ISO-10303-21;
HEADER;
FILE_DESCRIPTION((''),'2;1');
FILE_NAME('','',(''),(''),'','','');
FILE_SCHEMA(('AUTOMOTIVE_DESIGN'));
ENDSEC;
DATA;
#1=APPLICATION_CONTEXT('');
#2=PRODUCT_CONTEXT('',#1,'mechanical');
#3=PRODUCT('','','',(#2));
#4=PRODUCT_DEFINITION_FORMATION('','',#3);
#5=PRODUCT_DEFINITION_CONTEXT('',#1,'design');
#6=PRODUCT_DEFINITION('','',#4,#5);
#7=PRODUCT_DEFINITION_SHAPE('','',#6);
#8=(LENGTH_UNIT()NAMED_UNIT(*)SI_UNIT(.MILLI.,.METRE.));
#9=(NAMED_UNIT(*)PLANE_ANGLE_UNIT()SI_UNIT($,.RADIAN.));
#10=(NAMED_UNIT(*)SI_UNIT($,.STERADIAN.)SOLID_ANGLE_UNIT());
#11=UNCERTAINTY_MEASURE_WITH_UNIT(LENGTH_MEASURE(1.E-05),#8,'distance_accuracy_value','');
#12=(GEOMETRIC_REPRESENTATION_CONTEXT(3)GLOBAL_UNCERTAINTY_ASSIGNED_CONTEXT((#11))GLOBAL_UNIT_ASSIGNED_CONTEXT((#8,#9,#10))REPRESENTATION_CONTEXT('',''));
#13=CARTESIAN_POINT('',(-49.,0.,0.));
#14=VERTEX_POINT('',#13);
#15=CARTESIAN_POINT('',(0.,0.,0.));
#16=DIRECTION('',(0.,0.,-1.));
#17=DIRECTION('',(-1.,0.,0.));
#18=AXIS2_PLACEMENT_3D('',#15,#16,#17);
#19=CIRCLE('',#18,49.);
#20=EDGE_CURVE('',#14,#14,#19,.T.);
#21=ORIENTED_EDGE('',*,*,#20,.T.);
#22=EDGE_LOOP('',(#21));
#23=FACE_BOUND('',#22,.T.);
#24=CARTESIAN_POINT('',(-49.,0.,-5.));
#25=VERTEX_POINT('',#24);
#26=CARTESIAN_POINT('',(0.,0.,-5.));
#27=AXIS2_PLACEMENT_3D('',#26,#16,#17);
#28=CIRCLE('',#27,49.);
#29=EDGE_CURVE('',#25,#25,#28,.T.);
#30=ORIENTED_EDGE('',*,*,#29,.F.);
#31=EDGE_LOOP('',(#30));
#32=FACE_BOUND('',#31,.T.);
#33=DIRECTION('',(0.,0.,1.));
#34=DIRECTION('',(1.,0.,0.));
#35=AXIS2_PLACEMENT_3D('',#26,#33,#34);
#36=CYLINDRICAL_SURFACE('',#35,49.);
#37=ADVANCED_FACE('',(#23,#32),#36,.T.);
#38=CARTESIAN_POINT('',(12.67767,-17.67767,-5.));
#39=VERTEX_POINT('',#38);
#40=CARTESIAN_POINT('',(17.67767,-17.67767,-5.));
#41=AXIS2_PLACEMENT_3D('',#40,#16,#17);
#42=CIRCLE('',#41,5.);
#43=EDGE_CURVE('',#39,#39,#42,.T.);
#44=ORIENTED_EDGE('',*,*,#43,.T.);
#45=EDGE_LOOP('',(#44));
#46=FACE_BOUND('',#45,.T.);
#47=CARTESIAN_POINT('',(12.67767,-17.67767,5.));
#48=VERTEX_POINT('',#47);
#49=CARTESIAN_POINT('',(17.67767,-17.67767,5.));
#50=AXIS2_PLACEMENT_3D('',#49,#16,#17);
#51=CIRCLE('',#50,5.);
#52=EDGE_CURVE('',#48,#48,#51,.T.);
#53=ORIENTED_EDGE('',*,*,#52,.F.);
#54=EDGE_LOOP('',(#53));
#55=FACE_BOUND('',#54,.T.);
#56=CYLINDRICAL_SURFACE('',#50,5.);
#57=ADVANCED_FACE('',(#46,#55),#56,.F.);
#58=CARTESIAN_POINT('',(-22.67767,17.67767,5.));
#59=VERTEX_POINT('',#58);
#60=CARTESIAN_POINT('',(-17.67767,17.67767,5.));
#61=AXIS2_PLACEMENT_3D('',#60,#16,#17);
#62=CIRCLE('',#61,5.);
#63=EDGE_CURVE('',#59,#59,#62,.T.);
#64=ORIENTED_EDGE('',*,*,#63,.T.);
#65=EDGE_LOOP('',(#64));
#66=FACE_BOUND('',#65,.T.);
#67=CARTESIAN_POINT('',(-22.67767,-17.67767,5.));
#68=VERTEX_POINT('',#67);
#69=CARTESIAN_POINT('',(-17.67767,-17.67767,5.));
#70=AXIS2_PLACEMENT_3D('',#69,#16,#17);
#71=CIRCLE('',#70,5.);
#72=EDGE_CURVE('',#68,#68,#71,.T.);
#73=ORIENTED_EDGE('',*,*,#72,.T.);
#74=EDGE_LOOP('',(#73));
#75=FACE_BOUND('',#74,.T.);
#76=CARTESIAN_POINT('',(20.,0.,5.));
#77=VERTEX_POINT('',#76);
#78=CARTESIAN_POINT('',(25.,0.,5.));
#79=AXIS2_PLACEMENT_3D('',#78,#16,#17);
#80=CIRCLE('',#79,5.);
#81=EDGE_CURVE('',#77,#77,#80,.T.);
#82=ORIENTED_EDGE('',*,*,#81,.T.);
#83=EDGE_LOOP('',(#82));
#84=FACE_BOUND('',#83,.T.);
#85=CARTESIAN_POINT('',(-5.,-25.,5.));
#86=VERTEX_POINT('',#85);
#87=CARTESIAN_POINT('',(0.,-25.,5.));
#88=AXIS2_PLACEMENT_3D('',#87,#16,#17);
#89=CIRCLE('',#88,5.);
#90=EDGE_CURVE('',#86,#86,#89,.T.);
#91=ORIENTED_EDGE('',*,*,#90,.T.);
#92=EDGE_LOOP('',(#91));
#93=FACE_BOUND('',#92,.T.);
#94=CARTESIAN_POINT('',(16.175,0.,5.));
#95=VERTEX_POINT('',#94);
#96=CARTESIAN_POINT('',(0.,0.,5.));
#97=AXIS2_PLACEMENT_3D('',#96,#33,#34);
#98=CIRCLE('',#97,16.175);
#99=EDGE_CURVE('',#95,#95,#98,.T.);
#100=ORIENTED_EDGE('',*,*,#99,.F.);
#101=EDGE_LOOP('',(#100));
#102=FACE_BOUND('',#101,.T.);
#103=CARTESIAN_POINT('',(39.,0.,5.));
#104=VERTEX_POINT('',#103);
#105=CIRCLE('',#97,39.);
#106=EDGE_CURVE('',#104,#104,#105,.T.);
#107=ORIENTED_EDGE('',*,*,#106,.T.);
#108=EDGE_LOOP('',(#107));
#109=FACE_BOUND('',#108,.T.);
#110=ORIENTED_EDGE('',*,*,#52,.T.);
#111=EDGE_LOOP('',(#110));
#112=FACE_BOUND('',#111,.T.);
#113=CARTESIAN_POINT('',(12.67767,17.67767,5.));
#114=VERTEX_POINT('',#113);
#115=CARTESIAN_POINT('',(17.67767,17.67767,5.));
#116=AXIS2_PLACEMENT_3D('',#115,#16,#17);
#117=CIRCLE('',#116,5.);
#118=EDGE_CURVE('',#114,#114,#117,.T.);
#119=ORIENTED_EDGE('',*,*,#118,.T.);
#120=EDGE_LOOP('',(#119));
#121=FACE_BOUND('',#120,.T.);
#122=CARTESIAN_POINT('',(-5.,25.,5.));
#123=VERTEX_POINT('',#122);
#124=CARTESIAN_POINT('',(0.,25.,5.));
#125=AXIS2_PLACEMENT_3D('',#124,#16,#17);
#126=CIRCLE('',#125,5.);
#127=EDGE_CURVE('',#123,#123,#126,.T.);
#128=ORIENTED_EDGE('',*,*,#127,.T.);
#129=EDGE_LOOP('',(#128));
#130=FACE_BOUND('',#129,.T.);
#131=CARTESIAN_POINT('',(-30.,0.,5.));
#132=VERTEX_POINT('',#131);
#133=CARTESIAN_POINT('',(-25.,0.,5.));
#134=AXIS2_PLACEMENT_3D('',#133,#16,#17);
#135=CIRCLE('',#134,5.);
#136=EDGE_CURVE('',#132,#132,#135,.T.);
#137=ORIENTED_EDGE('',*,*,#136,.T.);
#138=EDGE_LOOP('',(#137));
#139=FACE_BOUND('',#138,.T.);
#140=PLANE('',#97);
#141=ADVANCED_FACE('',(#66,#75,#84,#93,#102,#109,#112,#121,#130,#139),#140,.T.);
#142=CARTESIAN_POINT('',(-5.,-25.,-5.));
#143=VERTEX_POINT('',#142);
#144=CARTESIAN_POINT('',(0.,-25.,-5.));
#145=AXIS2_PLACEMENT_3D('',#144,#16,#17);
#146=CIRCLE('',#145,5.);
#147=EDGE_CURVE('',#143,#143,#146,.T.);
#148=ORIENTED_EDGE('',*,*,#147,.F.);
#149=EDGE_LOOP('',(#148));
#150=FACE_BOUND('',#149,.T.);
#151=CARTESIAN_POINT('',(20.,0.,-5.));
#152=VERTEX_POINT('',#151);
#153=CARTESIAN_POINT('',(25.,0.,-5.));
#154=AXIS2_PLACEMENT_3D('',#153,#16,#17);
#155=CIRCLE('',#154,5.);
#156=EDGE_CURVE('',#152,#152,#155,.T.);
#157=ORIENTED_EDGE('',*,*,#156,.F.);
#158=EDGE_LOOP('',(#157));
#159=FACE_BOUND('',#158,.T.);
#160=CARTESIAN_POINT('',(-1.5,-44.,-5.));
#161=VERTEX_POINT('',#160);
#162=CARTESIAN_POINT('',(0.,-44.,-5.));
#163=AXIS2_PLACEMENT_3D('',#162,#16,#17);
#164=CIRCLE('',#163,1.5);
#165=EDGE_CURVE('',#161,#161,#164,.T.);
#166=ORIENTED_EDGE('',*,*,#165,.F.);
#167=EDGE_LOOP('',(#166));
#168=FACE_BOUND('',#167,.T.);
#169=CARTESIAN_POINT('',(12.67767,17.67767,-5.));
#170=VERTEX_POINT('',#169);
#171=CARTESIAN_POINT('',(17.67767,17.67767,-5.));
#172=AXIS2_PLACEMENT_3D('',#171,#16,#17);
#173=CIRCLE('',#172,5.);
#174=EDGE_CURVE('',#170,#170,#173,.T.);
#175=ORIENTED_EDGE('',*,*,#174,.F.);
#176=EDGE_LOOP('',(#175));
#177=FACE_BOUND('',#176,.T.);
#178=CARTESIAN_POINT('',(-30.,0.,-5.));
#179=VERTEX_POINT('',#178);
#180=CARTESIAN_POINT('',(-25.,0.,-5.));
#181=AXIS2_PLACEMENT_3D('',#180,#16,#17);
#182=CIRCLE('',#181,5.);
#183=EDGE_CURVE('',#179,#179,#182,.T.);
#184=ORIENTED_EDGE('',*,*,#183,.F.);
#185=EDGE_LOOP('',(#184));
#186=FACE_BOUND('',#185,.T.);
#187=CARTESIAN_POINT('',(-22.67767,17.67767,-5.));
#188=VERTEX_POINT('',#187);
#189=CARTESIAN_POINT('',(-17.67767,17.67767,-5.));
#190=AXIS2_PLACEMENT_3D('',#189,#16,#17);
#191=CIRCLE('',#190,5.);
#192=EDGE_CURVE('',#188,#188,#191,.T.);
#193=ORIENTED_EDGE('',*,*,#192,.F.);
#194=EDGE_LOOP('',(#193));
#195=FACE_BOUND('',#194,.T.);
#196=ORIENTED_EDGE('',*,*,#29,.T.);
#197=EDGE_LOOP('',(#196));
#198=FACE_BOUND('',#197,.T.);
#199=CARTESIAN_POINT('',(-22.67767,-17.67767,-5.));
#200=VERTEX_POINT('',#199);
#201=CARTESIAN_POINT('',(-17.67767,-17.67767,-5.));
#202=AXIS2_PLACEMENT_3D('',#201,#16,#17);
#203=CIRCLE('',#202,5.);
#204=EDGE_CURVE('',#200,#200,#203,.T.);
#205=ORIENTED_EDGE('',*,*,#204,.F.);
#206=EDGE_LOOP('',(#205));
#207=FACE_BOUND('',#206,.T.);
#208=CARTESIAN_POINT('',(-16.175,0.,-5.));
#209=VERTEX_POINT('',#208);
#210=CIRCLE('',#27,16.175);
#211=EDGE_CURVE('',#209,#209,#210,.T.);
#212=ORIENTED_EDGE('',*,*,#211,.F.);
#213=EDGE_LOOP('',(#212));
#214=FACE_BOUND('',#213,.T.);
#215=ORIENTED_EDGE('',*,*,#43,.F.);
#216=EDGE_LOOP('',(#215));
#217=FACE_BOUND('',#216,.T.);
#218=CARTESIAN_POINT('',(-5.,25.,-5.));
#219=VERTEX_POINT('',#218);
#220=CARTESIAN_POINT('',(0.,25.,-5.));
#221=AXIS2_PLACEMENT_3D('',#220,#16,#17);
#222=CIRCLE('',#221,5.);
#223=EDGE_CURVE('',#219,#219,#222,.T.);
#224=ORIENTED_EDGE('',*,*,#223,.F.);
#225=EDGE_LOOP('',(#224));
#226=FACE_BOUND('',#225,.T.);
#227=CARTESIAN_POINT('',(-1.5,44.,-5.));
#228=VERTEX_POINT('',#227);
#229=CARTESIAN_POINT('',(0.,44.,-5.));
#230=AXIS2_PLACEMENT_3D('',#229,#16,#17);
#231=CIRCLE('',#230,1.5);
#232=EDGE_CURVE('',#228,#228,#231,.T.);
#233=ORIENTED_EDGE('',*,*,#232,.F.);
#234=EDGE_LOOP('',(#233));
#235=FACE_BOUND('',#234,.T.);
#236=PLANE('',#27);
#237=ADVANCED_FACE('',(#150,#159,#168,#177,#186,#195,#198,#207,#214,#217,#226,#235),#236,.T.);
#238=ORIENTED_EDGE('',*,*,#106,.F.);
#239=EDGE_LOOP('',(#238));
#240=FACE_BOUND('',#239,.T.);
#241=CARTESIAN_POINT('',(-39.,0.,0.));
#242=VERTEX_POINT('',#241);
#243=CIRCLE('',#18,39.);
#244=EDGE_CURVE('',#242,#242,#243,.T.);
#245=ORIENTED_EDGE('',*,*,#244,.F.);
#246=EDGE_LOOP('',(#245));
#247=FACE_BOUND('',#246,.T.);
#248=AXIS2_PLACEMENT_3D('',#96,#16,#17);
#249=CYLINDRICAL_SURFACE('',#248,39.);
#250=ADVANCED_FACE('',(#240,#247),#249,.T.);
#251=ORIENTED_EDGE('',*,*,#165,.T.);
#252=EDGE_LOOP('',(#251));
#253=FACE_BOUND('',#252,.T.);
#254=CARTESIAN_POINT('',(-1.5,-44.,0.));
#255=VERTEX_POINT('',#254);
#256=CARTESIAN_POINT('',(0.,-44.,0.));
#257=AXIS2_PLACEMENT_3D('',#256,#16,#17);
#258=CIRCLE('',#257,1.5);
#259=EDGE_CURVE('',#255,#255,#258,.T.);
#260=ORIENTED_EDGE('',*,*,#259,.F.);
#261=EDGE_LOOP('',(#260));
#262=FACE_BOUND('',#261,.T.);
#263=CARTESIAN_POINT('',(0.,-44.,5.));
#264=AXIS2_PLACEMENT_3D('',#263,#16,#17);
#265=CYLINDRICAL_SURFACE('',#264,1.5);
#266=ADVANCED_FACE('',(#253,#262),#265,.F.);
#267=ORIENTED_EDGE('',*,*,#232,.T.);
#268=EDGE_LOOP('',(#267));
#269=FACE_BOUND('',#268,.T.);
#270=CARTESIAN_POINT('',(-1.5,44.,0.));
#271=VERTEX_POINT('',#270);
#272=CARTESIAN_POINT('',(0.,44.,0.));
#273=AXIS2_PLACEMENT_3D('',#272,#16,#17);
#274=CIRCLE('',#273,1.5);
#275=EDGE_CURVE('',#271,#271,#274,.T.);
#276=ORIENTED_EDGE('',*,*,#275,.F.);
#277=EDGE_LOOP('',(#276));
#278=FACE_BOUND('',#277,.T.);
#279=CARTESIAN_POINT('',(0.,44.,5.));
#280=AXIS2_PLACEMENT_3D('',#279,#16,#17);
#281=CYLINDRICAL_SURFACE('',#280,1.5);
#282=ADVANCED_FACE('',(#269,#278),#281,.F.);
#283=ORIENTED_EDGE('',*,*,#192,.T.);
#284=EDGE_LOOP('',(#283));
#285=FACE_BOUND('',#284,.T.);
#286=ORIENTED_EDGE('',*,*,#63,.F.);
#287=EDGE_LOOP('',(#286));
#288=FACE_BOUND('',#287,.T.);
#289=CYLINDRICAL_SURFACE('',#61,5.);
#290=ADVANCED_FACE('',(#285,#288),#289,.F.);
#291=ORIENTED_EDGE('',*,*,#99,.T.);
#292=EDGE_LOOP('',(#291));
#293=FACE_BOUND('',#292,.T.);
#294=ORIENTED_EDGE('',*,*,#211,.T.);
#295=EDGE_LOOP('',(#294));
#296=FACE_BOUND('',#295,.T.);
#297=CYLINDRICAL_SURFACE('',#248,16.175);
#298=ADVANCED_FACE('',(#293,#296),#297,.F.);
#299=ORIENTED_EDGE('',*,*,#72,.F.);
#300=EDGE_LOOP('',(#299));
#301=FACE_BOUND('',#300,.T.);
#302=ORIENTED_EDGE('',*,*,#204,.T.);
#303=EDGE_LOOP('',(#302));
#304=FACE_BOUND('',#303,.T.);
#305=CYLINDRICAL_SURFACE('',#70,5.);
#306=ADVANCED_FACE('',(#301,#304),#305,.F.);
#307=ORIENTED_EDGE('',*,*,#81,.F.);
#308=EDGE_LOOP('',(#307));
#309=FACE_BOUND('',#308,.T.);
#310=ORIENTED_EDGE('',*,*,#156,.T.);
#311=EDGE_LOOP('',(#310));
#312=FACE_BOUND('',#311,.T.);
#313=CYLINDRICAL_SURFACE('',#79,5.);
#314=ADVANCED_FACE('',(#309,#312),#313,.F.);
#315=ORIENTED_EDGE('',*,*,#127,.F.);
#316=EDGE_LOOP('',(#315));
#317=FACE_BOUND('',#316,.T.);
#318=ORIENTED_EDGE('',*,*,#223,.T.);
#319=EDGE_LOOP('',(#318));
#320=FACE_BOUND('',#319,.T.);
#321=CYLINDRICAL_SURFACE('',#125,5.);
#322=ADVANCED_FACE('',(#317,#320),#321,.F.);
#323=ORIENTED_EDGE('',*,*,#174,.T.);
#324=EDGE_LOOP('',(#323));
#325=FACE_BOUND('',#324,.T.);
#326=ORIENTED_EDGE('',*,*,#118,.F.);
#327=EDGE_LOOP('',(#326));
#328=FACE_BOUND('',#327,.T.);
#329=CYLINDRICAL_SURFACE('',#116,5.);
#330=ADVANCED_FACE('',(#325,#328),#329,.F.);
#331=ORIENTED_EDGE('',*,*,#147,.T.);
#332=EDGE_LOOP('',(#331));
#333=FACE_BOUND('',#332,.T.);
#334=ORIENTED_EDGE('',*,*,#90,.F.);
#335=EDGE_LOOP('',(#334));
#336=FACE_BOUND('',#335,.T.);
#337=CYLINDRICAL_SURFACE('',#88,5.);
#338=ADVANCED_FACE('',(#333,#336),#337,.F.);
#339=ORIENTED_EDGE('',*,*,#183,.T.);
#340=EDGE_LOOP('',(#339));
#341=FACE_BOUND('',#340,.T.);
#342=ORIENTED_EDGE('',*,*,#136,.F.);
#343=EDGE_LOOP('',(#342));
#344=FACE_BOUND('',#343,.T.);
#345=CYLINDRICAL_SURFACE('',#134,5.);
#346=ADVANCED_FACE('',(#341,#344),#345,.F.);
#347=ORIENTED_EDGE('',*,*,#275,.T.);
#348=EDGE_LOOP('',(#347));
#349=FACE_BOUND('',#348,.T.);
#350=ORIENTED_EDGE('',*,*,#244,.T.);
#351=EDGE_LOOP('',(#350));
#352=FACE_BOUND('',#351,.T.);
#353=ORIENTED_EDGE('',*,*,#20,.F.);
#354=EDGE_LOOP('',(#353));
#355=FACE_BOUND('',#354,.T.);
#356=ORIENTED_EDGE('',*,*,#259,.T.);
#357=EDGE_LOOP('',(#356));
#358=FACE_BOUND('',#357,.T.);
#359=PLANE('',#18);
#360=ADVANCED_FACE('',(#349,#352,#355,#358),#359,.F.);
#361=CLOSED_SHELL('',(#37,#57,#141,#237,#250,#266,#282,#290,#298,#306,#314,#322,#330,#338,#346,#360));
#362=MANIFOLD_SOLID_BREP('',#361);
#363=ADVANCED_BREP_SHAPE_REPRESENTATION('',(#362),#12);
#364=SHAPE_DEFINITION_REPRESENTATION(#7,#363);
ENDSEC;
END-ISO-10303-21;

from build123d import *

# Parameters (mm, degrees)
ESQUISSE1_R             = 39
ESQUISSE1_R_2           = 16.175
BOSS_EXTRU_1_DEPTH      = 5
ESQUISSE2_R             = 49
BOSS_EXTRU_2_DEPTH      = 5
ESQUISSE3_R             = 16.175
ENL_V_MAT_EXTRU_1_DEPTH = 11
ESQUISSE4_R             = 1.5
ESQUISSE4_R_2           = 5
ENL_V_MAT_EXTRU_2_DEPTH = 11


with BuildPart() as part:
    # Esquisse1 → Boss.-Extru.1 (new body)
    with BuildSketch(Plane.XY):
        Circle(ESQUISSE1_R)
        Circle(ESQUISSE1_R_2, mode=Mode.SUBTRACT)
    extrude(amount=BOSS_EXTRU_1_DEPTH)

    # Esquisse2 → Boss.-Extru.2 (add)
    with BuildSketch(Plane(origin=(0, 0, 0), x_dir=(-1, 0, 0), z_dir=(0, 0, -1))):
        Circle(ESQUISSE2_R)
    extrude(amount=BOSS_EXTRU_2_DEPTH)

    # Esquisse3 → Enlèv. mat.-Extru.1 (cut, through all)
    with BuildSketch(Plane(origin=(0, 0, -5), x_dir=(-1, 0, 0), z_dir=(0, 0, -1))):
        Circle(ESQUISSE3_R)
    extrude(amount=-ENL_V_MAT_EXTRU_1_DEPTH, mode=Mode.SUBTRACT)

    # Esquisse4 → Enlèv. mat.-Extru.2 (cut, through all)
    with BuildSketch(Plane(origin=(0, 0, -5), x_dir=(-1, 0, 0), z_dir=(0, 0, -1))):
        with Locations((0, 44)):
            Circle(ESQUISSE4_R)
        with Locations((0, -44)):
            Circle(ESQUISSE4_R)
        with Locations((25, 0)):
            Circle(ESQUISSE4_R_2)
        with Locations((0, 25)):
            Circle(ESQUISSE4_R_2)
        with Locations((-25, 0)):
            Circle(ESQUISSE4_R_2)
        with Locations((0, -25)):
            Circle(ESQUISSE4_R_2)
        with Locations((-17.67766953, -17.67766953)):
            Circle(ESQUISSE4_R_2)
        with Locations((17.67766953, 17.67766953)):
            Circle(ESQUISSE4_R_2)
        with Locations((17.67766953, -17.67766953)):
            Circle(ESQUISSE4_R_2)
        with Locations((-17.67766953, 17.67766953)):
            Circle(ESQUISSE4_R_2)
    extrude(amount=-ENL_V_MAT_EXTRU_2_DEPTH, mode=Mode.SUBTRACT)


solid = part.part
